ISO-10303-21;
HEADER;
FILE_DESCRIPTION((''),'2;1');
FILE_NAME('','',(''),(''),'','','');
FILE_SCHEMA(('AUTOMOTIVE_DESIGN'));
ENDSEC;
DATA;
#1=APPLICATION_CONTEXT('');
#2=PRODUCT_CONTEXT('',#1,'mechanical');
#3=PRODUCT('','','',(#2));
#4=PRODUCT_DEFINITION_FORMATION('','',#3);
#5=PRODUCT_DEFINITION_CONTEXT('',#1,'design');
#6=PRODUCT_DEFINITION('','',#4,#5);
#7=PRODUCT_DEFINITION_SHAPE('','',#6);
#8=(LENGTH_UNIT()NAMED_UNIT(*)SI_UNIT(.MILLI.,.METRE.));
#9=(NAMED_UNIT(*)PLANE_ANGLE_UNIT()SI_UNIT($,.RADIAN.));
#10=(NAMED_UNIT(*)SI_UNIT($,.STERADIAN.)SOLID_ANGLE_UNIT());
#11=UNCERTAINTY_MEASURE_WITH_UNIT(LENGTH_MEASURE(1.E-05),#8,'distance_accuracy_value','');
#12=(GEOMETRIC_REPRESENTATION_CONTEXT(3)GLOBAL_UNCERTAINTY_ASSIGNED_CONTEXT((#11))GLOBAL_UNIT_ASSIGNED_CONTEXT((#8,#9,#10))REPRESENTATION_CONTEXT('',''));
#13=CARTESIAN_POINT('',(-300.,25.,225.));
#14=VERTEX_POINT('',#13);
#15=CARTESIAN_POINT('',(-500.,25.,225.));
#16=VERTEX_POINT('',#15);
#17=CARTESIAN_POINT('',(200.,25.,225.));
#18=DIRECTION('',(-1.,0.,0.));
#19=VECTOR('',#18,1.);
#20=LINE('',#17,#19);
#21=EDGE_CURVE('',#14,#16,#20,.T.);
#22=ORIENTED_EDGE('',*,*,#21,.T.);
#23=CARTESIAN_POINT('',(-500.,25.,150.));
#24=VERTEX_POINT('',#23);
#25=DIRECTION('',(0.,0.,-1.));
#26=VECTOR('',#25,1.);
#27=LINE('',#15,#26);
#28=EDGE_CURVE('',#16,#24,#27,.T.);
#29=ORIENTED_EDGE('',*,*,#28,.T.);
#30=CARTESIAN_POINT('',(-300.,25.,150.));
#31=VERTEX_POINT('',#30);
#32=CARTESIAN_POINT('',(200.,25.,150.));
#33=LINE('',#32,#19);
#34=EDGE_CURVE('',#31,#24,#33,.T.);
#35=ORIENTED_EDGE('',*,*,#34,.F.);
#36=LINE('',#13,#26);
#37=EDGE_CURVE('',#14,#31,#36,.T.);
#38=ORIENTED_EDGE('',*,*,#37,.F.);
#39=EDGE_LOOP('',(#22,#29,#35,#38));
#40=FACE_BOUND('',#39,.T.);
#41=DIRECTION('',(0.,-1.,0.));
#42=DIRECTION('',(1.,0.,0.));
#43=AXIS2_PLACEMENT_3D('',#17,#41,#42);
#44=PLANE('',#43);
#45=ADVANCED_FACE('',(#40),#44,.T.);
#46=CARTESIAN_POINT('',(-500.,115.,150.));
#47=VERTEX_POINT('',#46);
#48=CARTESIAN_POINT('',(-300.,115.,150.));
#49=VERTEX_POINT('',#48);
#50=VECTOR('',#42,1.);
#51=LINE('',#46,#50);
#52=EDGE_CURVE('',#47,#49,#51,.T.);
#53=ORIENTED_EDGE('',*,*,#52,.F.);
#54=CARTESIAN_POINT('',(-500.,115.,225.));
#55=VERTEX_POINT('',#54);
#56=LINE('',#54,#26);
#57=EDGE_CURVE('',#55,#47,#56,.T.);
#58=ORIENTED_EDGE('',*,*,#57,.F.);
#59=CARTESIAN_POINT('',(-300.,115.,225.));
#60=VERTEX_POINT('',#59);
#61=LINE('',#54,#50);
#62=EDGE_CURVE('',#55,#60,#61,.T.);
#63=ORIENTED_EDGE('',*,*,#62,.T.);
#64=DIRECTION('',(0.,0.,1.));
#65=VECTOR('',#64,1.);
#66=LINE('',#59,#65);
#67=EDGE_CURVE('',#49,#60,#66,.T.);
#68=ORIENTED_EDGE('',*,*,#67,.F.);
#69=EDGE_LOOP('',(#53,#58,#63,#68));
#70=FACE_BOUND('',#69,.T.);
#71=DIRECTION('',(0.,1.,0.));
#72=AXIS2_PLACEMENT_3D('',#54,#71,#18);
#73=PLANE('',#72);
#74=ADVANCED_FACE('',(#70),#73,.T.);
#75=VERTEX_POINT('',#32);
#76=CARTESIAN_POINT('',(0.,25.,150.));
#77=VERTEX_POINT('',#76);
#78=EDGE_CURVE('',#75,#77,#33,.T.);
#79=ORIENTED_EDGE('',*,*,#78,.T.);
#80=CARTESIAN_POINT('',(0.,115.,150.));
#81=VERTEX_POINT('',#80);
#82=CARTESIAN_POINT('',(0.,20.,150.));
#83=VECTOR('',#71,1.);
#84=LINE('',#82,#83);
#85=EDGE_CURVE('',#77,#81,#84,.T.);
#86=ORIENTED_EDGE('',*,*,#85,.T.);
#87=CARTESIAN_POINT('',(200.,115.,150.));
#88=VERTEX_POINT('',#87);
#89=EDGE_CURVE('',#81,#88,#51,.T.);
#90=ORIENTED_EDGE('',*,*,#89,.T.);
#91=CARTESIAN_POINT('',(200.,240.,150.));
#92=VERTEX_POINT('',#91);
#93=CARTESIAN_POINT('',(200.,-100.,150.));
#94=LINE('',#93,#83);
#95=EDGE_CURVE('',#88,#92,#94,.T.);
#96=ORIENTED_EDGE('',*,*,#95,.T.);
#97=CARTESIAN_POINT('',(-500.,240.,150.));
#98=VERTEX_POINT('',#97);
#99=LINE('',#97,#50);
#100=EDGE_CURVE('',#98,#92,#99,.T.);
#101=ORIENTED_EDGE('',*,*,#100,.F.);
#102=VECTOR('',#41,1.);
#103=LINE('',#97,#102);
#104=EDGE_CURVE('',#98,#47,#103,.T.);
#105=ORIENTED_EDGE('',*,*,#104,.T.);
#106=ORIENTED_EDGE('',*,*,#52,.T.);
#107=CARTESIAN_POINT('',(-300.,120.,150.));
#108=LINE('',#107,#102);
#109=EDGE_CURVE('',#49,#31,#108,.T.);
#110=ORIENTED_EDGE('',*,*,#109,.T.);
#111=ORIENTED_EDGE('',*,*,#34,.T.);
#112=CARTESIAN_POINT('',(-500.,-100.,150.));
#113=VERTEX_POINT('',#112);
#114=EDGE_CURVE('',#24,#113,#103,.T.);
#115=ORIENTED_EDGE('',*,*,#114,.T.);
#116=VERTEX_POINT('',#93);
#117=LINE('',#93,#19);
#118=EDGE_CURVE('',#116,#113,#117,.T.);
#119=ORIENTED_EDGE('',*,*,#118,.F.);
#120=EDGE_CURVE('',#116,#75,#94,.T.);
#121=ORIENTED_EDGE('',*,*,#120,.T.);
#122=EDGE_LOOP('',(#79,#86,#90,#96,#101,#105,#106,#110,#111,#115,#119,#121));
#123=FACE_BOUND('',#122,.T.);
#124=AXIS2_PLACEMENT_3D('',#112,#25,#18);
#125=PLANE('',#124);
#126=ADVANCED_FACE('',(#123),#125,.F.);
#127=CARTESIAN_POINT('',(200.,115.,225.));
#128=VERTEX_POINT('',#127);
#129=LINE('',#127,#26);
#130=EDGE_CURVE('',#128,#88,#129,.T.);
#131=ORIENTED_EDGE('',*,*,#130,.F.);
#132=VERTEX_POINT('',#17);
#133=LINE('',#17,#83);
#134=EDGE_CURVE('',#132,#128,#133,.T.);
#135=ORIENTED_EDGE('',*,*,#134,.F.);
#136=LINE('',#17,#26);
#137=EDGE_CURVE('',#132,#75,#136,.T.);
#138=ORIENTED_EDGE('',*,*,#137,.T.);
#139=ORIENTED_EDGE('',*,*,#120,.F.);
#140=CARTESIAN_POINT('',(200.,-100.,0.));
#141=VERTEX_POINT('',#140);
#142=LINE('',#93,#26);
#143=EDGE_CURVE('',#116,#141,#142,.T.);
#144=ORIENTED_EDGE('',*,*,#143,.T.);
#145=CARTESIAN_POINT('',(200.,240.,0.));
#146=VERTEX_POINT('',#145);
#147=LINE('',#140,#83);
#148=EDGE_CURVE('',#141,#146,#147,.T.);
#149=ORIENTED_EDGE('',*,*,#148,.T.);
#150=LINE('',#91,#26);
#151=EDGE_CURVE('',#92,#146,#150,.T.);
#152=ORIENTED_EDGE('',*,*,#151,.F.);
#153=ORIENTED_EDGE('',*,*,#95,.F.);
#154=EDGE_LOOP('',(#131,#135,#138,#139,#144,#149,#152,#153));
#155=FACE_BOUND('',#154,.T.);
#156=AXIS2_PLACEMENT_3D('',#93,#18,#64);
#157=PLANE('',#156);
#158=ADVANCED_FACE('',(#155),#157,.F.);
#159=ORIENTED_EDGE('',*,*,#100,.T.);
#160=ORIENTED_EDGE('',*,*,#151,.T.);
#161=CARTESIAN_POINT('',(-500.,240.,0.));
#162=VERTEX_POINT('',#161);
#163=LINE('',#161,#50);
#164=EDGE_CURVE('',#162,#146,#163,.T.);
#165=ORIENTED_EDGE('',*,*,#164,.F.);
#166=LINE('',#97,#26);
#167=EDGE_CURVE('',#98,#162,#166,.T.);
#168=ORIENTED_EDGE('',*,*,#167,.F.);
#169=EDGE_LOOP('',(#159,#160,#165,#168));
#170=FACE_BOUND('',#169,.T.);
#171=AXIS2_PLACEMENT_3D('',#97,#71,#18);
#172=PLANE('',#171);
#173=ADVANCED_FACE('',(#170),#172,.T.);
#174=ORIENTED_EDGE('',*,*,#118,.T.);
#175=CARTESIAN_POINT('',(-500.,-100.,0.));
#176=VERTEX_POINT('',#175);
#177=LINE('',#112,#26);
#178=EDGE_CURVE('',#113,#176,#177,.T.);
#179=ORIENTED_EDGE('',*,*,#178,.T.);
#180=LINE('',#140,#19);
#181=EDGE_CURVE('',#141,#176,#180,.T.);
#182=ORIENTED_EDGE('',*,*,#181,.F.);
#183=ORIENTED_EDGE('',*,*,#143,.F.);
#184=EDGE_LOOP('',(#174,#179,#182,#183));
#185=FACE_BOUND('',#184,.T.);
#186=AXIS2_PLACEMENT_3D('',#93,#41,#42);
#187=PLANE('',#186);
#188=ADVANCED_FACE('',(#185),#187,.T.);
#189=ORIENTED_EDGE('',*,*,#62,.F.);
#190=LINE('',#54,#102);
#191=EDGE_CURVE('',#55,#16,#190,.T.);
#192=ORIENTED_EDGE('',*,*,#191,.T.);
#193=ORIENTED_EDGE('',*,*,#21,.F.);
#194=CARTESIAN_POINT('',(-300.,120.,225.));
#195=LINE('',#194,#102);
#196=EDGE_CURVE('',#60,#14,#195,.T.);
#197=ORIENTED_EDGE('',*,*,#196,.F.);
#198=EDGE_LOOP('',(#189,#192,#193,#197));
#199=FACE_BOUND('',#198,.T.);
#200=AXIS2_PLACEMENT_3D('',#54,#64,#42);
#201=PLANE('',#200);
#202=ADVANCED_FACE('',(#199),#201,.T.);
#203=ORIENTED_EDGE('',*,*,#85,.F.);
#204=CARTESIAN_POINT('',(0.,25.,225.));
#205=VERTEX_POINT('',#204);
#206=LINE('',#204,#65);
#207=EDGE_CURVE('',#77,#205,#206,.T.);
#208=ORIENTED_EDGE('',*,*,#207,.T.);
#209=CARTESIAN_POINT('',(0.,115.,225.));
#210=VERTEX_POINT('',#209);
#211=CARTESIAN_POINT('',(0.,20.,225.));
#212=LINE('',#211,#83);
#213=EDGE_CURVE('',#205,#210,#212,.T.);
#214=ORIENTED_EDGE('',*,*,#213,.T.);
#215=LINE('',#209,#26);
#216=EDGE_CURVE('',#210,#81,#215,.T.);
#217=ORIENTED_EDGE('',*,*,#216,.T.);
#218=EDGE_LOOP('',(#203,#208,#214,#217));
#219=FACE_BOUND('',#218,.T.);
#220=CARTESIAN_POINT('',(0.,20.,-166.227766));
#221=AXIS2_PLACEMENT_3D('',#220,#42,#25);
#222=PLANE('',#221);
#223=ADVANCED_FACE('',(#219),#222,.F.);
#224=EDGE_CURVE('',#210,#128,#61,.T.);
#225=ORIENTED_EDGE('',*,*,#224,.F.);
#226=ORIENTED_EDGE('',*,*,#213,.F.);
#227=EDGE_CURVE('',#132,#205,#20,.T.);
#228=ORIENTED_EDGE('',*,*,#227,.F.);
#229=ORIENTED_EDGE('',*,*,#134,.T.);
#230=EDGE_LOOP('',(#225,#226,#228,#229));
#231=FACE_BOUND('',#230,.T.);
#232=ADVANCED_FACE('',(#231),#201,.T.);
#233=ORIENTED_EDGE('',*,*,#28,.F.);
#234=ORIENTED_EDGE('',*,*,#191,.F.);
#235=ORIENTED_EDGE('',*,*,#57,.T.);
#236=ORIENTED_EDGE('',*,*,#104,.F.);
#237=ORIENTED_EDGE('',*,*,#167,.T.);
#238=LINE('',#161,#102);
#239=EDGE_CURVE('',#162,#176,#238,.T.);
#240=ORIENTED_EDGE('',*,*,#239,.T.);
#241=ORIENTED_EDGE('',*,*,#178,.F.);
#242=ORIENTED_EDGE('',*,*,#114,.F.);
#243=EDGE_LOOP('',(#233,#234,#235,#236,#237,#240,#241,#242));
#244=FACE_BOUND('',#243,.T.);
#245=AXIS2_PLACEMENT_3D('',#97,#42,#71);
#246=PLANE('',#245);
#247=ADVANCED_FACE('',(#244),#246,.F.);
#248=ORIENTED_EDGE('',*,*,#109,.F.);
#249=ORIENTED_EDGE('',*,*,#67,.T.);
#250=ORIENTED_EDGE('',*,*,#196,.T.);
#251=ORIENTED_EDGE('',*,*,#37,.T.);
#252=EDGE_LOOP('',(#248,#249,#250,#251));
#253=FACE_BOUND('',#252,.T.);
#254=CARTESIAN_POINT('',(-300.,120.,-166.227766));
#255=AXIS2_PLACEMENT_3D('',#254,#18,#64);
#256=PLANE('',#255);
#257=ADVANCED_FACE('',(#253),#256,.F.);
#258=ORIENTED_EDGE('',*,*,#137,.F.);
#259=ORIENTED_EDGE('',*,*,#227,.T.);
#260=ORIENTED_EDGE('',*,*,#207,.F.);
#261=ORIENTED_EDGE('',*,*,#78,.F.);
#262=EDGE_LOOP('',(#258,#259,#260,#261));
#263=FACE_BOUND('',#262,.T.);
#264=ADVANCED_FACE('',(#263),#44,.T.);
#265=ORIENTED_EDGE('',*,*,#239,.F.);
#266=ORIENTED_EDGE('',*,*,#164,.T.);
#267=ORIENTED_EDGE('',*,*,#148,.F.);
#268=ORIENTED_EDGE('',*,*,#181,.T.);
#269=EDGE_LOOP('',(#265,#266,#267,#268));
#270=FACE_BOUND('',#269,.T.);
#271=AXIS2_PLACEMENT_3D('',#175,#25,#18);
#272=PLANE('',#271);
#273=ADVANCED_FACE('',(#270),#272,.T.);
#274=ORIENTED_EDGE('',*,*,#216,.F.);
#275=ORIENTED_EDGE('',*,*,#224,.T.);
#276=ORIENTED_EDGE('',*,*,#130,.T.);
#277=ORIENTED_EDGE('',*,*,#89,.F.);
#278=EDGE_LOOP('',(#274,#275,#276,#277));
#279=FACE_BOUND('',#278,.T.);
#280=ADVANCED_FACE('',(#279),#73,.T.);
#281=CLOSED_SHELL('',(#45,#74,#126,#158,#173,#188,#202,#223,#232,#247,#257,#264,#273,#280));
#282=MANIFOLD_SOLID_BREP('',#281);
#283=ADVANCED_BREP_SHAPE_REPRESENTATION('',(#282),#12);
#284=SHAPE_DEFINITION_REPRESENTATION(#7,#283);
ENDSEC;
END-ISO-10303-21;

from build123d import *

# Parameters (mm, degrees)
SKETCH1_W           = 700
SKETCH1_H           = 340
BASE_EXTRUDE_DEPTH  = 150
SKETCH2_W           = 700
SKETCH2_H           = 90
BOSS_EXTRUDE1_DEPTH = 75
SKETCH3_W           = 300
SKETCH3_H           = 100
CUT_EXTRUDE1_DEPTH  = 75


with BuildPart() as part:
    # Sketch1 → Base-Extrude (new body)
    with BuildSketch(Plane.XY):
        with Locations((-150, 70)):
            Rectangle(SKETCH1_W, SKETCH1_H)
    extrude(amount=BASE_EXTRUDE_DEPTH)

    # Sketch2 → Boss-Extrude1 (add)
    with BuildSketch(Plane.XY.offset(150)):
        with Locations((-150, 70)):
            Rectangle(SKETCH2_W, SKETCH2_H)
    extrude(amount=BOSS_EXTRUDE1_DEPTH)

    # Sketch3 → Cut-Extrude1 (cut)
    with BuildSketch(Plane.XY.offset(225)):
        with Locations((-150, 70)):
            Rectangle(SKETCH3_W, SKETCH3_H)
    extrude(amount=-CUT_EXTRUDE1_DEPTH, mode=Mode.SUBTRACT)


solid = part.part
